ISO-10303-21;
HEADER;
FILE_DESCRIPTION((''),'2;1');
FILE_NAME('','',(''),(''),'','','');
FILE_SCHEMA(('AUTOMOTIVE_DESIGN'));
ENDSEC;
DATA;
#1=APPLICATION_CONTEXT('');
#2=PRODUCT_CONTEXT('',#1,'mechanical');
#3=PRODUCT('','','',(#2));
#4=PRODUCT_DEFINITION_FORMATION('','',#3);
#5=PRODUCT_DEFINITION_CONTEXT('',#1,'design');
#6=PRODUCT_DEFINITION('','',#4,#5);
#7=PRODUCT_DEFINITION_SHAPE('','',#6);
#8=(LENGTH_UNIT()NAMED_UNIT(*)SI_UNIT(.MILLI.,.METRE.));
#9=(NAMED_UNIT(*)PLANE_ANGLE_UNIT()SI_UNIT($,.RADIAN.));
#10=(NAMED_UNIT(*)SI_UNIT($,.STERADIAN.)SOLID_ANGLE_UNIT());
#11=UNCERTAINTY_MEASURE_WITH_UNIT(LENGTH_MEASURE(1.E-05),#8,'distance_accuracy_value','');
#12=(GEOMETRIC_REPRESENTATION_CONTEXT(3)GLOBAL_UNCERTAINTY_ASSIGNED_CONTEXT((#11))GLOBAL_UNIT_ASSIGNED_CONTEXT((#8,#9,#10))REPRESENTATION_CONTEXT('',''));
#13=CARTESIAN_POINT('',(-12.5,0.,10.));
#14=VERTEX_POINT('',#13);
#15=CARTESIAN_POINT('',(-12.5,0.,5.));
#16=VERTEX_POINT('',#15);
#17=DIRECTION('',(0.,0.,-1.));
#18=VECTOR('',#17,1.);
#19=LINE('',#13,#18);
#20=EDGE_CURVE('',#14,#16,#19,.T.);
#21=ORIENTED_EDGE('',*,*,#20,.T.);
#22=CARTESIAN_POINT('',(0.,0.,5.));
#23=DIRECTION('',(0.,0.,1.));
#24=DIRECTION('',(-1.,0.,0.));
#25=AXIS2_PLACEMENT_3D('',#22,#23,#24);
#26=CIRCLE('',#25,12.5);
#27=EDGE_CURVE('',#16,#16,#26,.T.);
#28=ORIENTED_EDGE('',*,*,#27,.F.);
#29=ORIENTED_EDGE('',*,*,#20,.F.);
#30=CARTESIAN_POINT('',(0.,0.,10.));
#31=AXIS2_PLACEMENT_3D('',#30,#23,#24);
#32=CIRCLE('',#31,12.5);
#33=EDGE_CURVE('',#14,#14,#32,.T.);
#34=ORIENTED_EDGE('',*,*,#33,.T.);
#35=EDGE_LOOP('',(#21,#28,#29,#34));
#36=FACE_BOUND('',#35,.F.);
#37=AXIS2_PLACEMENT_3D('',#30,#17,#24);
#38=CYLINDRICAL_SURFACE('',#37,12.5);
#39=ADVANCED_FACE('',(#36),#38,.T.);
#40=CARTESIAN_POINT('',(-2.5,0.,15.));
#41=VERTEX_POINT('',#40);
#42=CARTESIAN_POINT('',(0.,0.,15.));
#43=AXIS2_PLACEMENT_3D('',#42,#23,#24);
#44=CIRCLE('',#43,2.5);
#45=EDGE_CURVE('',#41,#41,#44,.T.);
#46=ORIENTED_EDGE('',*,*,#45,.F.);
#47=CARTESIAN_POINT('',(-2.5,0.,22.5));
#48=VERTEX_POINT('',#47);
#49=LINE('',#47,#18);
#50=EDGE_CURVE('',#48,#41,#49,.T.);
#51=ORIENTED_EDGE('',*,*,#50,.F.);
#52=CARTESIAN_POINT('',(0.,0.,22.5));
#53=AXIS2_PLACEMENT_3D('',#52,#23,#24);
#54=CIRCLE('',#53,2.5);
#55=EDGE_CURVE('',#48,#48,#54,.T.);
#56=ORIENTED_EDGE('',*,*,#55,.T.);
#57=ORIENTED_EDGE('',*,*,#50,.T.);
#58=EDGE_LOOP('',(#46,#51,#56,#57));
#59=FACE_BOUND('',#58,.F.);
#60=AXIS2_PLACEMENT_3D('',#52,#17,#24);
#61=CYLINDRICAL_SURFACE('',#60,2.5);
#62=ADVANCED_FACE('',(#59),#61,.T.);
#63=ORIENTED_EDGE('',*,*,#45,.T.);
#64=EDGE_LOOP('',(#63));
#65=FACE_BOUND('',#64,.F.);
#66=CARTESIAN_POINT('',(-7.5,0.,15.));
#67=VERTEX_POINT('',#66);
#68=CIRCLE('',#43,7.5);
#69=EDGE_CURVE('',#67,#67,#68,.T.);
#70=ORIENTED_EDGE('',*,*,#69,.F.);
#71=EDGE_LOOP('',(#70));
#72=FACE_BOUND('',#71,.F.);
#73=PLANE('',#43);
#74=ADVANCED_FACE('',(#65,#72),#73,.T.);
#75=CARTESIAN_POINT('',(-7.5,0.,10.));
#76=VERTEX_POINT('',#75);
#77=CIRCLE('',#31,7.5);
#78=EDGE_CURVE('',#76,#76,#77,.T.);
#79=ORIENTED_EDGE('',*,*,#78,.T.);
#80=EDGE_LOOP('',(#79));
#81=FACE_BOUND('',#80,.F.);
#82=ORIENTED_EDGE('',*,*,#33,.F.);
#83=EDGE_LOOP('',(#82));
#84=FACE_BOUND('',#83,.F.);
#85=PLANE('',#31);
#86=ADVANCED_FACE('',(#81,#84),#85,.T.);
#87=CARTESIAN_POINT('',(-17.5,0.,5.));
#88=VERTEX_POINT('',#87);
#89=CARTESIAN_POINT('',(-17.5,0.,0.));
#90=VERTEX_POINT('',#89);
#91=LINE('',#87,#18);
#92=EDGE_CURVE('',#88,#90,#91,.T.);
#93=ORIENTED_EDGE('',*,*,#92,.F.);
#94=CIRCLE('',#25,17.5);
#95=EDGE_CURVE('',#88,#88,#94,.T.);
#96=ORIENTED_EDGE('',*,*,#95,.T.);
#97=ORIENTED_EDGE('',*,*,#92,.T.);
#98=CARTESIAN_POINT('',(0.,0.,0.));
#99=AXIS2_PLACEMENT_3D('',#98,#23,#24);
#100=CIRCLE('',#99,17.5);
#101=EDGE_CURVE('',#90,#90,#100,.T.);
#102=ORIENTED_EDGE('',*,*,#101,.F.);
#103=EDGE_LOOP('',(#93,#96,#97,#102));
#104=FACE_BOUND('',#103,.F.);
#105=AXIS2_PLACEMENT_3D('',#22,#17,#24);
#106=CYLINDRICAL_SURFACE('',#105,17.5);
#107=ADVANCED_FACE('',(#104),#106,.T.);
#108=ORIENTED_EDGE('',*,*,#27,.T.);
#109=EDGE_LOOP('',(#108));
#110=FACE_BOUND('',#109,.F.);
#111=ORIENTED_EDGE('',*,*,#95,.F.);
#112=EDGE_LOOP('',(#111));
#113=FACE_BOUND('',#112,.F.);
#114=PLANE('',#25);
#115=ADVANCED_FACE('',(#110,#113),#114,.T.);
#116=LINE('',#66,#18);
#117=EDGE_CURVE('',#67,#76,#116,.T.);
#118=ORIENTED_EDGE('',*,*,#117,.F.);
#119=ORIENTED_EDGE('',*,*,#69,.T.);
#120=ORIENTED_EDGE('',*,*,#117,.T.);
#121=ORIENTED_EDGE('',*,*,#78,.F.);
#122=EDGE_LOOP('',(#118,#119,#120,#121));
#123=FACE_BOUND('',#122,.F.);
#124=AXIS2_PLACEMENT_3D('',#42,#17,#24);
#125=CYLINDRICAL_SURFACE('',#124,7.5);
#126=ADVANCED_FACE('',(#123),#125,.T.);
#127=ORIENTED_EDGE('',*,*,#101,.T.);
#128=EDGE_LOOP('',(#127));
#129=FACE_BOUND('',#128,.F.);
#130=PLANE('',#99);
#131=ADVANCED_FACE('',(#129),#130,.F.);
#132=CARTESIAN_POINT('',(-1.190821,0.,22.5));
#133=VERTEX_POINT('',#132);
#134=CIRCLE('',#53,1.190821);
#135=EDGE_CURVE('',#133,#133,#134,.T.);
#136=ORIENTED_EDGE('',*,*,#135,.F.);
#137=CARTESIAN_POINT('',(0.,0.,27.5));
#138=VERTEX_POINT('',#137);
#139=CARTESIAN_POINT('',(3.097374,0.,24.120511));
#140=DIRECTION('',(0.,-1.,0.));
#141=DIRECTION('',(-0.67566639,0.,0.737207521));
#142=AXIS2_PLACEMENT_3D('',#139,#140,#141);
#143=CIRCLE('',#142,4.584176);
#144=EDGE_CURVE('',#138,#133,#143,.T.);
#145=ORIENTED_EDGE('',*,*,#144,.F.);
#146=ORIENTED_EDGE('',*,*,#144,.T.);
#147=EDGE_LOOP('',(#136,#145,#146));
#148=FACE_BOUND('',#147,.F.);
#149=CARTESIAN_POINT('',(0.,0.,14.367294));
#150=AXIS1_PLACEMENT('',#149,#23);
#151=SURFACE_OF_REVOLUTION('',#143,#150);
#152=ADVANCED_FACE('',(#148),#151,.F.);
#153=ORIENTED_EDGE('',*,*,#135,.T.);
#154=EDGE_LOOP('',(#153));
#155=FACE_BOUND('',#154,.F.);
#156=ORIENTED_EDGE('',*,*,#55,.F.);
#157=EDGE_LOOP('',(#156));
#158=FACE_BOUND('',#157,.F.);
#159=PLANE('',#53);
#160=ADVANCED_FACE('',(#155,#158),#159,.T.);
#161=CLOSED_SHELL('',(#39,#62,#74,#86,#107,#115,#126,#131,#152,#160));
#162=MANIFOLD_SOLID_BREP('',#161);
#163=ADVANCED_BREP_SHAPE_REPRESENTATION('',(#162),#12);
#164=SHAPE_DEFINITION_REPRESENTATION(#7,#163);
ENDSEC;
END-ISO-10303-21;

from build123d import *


with BuildPart() as f1:
    # F0 (on Front) → F1 (revolve)
    with BuildSketch(Plane.XZ):
        with BuildLine():
            Line((-17.5, 0), (0, 0))
            Line((0, 0), (0, 27.5))
            ThreePointArc((0, 27.5), (-1.362072, 25.182591), (-1.190821, 22.5))
            Line((-1.190821, 22.5), (-2.5, 22.5))
            Line((-2.5, 22.5), (-2.5, 15))
            Line((-2.5, 15), (-7.5, 15))
            Line((-7.5, 15), (-7.5, 10))
            Line((-7.5, 10), (-12.5, 10))
            Line((-12.5, 10), (-12.5, 5))
            Line((-12.5, 5), (-17.5, 5))
            Line((-17.5, 5), (-17.5, 0))
        make_face()
    revolve(axis=Axis((0, 0, 14.367294), (0, 0, 1)))


solid = f1.part
